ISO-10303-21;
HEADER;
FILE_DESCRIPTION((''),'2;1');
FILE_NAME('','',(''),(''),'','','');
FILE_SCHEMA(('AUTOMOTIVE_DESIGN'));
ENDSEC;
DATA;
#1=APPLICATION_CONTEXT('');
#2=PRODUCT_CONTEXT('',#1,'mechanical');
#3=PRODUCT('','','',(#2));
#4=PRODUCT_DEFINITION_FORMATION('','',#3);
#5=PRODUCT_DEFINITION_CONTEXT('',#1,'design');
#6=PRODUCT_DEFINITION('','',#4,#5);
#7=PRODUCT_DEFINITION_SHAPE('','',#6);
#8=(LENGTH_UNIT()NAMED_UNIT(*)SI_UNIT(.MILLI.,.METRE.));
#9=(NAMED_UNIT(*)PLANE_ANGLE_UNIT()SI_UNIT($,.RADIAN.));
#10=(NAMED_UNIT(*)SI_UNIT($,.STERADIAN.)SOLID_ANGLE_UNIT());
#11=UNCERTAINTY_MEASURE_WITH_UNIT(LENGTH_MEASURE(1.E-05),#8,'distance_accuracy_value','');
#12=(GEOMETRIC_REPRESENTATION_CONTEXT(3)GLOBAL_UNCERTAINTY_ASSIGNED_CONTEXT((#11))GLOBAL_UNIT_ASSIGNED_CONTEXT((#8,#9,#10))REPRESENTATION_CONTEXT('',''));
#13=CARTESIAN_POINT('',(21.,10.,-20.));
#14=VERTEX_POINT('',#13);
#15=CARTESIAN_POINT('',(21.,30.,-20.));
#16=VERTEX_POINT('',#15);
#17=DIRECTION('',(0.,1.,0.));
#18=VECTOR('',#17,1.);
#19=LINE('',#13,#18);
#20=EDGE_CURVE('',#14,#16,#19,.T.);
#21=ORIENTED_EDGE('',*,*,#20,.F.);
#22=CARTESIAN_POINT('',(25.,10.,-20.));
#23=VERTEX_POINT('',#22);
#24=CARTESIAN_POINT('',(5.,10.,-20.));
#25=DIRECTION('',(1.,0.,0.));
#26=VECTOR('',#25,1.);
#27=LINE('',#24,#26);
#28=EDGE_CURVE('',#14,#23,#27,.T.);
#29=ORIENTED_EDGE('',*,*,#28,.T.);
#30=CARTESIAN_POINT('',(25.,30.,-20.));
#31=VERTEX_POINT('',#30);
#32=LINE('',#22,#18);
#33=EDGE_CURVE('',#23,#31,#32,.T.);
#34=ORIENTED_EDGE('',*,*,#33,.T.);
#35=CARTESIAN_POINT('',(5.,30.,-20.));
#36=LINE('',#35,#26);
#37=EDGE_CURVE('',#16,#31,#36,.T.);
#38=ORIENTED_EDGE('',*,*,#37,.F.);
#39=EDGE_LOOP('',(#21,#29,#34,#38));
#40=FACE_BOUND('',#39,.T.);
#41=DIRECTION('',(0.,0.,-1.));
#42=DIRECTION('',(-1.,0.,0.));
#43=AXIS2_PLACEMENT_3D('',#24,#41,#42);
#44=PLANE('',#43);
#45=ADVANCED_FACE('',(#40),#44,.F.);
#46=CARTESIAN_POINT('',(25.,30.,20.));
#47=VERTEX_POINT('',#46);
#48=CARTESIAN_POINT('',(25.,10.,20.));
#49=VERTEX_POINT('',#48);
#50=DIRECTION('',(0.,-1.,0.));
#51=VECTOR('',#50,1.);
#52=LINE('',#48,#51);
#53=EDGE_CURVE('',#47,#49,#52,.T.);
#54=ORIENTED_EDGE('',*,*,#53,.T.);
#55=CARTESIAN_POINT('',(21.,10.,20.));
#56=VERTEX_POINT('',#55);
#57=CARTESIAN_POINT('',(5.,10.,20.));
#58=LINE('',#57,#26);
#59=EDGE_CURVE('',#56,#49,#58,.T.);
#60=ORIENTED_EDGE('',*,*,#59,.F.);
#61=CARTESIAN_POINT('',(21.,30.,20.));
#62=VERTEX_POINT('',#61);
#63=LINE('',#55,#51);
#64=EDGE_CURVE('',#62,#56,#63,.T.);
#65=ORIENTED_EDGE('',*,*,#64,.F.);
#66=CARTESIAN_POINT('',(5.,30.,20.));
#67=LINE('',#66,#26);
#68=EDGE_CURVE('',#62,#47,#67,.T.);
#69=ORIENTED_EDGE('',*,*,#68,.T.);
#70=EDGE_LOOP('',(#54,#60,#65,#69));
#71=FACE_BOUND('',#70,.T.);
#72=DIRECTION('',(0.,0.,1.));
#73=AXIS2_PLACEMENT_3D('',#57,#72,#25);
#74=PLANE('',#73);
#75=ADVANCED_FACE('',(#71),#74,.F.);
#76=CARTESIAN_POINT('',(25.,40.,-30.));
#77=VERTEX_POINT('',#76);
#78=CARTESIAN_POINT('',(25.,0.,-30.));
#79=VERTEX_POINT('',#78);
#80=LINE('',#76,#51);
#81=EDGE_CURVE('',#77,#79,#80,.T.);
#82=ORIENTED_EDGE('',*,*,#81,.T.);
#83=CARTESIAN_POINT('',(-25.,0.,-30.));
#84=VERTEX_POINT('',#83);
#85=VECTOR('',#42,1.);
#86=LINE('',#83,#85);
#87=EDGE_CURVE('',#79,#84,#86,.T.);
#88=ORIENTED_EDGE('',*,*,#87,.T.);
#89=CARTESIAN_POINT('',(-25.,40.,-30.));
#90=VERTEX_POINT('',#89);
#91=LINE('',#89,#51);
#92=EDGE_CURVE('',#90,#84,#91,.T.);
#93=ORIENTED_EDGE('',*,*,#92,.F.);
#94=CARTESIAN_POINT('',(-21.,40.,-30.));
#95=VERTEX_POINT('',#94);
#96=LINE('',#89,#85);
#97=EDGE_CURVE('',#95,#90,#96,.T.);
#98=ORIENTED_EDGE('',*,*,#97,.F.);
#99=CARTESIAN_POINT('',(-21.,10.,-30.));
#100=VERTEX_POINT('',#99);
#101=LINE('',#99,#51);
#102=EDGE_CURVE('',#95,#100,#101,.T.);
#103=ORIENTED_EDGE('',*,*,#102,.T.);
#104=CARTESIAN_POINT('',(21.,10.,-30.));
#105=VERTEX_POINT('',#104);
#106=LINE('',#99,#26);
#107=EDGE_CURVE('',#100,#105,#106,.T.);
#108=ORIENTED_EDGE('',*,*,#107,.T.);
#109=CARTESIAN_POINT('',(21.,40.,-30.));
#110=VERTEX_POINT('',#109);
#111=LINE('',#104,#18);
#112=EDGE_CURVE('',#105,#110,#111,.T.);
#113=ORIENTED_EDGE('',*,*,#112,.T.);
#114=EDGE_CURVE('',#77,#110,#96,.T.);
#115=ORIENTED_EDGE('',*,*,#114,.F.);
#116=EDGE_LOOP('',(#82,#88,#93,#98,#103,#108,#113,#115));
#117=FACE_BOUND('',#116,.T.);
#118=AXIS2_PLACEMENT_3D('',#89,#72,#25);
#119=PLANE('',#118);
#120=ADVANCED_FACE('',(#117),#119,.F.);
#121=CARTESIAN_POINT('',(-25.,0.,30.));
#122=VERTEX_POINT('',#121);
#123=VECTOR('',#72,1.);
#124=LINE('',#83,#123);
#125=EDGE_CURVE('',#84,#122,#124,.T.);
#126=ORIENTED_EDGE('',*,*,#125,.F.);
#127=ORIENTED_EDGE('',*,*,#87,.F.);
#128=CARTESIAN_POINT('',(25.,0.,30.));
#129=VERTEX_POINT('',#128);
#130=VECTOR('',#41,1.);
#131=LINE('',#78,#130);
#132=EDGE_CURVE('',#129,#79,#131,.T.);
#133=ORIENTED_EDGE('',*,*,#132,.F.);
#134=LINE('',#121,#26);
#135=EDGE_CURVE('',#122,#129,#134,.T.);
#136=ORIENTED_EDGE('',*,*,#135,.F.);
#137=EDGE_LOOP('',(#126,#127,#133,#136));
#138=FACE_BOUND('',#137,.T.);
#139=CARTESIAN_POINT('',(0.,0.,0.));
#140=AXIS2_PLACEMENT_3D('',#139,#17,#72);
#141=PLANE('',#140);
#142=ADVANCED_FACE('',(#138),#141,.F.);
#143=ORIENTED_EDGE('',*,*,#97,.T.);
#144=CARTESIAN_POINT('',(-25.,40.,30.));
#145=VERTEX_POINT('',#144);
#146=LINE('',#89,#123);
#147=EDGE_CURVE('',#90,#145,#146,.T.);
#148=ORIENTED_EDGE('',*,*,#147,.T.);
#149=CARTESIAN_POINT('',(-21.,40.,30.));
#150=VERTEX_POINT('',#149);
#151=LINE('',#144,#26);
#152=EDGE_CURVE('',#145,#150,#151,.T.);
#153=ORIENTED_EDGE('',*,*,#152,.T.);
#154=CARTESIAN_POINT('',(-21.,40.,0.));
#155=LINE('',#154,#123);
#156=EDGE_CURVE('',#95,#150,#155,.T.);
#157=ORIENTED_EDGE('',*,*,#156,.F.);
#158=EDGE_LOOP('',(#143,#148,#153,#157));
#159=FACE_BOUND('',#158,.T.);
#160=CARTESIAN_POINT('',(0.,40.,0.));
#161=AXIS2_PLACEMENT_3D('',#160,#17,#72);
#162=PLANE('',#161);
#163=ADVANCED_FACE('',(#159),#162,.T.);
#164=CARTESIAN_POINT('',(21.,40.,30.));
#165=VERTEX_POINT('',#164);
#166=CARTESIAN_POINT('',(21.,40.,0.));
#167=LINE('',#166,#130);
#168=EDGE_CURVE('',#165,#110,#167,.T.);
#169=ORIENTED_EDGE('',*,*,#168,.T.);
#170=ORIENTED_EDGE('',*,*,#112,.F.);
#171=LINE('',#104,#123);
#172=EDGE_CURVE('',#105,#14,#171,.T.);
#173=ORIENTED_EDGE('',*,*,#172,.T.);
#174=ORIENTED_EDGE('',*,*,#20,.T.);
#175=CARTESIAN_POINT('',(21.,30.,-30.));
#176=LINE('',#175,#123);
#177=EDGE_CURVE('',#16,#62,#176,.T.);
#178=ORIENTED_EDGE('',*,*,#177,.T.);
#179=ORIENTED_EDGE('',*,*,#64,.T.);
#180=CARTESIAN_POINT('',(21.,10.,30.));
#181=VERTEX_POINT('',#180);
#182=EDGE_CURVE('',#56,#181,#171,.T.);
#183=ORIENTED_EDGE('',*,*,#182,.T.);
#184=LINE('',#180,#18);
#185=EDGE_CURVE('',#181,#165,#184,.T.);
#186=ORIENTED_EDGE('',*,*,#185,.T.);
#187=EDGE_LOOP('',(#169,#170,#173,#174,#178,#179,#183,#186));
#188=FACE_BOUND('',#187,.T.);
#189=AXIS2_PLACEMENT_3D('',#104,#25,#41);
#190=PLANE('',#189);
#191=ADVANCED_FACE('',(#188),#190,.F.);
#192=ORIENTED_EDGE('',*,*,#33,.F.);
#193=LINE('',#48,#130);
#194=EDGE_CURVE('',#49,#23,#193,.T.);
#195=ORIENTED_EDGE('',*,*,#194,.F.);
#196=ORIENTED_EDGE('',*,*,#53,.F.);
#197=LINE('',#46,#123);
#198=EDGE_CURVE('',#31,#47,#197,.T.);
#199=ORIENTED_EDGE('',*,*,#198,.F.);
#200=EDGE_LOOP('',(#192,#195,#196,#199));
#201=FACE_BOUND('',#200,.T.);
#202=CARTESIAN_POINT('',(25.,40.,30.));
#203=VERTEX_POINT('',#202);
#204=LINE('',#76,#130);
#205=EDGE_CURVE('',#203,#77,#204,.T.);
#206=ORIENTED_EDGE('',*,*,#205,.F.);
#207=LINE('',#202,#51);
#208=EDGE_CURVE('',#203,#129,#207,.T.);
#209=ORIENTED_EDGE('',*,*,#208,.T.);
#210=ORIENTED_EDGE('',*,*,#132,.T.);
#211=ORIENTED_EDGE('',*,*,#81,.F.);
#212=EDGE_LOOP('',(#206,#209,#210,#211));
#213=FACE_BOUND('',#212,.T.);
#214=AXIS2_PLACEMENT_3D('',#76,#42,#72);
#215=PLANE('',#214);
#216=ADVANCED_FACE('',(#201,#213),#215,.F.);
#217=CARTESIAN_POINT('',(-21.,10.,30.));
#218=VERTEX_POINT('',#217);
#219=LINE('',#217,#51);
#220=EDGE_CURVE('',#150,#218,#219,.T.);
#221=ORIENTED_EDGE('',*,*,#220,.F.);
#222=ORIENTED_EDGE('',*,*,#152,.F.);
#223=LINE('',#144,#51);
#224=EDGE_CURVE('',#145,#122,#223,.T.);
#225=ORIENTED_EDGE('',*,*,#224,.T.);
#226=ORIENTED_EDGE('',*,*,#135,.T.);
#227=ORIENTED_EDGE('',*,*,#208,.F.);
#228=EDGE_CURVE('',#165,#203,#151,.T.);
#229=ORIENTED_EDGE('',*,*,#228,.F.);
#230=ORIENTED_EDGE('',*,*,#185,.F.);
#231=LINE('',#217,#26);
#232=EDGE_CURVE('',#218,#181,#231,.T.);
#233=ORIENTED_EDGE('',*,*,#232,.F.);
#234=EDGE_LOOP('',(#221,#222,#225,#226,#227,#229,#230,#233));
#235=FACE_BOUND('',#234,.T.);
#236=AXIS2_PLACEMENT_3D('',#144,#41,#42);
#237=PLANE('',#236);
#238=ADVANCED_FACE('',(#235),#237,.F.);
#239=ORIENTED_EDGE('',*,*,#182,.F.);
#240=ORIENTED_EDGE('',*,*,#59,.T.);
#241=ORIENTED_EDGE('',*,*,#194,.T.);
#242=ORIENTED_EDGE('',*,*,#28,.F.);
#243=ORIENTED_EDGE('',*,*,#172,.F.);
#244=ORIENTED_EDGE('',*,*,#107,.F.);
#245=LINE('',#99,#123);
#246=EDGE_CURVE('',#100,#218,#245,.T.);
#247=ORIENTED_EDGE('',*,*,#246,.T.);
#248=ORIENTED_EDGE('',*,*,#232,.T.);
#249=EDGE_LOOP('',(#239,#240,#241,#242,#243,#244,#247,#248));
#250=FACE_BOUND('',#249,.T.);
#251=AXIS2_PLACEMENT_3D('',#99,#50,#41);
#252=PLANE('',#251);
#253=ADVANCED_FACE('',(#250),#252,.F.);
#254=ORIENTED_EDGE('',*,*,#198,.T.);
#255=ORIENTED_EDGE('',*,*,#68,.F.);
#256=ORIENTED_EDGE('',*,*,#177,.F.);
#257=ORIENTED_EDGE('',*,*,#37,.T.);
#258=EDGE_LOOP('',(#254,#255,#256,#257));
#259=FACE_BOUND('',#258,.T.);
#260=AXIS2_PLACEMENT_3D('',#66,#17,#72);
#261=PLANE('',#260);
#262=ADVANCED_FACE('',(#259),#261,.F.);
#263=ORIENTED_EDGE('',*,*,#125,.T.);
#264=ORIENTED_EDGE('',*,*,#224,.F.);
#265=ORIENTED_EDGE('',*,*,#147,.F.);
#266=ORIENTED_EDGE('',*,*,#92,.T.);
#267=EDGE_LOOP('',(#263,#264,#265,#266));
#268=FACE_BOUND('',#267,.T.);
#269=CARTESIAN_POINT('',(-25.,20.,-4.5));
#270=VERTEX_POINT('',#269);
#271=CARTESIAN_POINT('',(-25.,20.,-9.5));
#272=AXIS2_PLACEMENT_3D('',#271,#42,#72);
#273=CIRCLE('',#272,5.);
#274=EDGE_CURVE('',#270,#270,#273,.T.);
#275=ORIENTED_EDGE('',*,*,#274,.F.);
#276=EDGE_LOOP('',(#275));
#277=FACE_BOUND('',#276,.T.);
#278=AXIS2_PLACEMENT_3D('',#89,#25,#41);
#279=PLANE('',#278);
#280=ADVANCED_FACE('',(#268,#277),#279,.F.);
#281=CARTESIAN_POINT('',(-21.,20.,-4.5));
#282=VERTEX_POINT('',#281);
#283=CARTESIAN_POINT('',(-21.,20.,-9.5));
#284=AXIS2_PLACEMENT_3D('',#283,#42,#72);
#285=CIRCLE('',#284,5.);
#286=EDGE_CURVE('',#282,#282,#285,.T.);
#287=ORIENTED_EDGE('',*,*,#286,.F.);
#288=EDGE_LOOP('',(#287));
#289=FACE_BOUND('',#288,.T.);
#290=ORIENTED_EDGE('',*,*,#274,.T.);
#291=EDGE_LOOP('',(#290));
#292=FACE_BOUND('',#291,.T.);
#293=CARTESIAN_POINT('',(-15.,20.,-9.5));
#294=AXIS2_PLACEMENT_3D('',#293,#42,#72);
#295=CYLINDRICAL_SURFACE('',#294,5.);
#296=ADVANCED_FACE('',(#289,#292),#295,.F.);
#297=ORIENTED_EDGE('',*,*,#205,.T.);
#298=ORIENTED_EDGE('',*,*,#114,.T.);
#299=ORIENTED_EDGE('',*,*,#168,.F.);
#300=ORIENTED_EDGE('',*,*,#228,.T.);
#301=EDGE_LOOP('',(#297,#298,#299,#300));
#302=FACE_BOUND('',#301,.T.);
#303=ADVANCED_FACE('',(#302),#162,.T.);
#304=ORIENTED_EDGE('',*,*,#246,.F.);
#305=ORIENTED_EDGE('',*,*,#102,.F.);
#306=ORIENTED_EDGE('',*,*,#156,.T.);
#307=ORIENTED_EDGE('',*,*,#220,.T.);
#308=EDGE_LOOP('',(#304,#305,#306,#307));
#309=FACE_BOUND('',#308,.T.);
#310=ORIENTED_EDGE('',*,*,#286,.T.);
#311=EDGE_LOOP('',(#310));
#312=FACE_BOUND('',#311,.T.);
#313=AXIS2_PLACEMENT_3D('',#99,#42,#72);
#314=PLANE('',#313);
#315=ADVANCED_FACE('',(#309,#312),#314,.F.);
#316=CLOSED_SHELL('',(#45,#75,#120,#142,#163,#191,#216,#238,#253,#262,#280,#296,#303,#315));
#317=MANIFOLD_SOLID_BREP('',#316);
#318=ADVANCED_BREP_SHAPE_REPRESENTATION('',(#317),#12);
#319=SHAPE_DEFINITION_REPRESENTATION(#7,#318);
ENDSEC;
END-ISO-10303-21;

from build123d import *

# Parameters (mm, degrees)
SKETCH4_W           = 50
SKETCH4_H           = 60
BOSS_EXTRUDE6_DEPTH = 40
SKETCH9_W           = 42
SKETCH9_H           = 56.420845642
CUT_EXTRUDE3_DEPTH  = 60
SKETCH10_W          = 40
SKETCH10_H          = 20
CUT_EXTRUDE4_DEPTH  = 20
SKETCH11_R          = 5
CUT_EXTRUDE5_DEPTH  = 10


with BuildPart() as part:
    # Sketch4 → Boss-Extrude6 (new body)
    with BuildSketch(Plane(origin=(0, 0, 0), x_dir=(1, 0, 0), z_dir=(0, 1, 0))):
        Rectangle(SKETCH4_W, SKETCH4_H)
    extrude(amount=BOSS_EXTRUDE6_DEPTH)

    # Sketch9 → Cut-Extrude3 (cut)
    with BuildSketch(Plane.XY.offset(30)):
        with Locations((0, 38.210422821)):
            Rectangle(SKETCH9_W, SKETCH9_H)
    extrude(amount=-CUT_EXTRUDE3_DEPTH, mode=Mode.SUBTRACT)

    # Sketch10 → Cut-Extrude4 (cut)
    with BuildSketch(Plane(origin=(25, 0, 0), x_dir=(0, 0, -1), z_dir=(1, 0, 0))):
        with Locations((0, 20)):
            Rectangle(SKETCH10_W, SKETCH10_H)
    extrude(amount=-CUT_EXTRUDE4_DEPTH, mode=Mode.SUBTRACT)

    # Sketch11 → Cut-Extrude5 (cut)
    with BuildSketch(Plane.ZY.offset(25)):
        with Locations((-9.5, 20)):
            Circle(SKETCH11_R)
    extrude(amount=-CUT_EXTRUDE5_DEPTH, mode=Mode.SUBTRACT)


solid = part.part
